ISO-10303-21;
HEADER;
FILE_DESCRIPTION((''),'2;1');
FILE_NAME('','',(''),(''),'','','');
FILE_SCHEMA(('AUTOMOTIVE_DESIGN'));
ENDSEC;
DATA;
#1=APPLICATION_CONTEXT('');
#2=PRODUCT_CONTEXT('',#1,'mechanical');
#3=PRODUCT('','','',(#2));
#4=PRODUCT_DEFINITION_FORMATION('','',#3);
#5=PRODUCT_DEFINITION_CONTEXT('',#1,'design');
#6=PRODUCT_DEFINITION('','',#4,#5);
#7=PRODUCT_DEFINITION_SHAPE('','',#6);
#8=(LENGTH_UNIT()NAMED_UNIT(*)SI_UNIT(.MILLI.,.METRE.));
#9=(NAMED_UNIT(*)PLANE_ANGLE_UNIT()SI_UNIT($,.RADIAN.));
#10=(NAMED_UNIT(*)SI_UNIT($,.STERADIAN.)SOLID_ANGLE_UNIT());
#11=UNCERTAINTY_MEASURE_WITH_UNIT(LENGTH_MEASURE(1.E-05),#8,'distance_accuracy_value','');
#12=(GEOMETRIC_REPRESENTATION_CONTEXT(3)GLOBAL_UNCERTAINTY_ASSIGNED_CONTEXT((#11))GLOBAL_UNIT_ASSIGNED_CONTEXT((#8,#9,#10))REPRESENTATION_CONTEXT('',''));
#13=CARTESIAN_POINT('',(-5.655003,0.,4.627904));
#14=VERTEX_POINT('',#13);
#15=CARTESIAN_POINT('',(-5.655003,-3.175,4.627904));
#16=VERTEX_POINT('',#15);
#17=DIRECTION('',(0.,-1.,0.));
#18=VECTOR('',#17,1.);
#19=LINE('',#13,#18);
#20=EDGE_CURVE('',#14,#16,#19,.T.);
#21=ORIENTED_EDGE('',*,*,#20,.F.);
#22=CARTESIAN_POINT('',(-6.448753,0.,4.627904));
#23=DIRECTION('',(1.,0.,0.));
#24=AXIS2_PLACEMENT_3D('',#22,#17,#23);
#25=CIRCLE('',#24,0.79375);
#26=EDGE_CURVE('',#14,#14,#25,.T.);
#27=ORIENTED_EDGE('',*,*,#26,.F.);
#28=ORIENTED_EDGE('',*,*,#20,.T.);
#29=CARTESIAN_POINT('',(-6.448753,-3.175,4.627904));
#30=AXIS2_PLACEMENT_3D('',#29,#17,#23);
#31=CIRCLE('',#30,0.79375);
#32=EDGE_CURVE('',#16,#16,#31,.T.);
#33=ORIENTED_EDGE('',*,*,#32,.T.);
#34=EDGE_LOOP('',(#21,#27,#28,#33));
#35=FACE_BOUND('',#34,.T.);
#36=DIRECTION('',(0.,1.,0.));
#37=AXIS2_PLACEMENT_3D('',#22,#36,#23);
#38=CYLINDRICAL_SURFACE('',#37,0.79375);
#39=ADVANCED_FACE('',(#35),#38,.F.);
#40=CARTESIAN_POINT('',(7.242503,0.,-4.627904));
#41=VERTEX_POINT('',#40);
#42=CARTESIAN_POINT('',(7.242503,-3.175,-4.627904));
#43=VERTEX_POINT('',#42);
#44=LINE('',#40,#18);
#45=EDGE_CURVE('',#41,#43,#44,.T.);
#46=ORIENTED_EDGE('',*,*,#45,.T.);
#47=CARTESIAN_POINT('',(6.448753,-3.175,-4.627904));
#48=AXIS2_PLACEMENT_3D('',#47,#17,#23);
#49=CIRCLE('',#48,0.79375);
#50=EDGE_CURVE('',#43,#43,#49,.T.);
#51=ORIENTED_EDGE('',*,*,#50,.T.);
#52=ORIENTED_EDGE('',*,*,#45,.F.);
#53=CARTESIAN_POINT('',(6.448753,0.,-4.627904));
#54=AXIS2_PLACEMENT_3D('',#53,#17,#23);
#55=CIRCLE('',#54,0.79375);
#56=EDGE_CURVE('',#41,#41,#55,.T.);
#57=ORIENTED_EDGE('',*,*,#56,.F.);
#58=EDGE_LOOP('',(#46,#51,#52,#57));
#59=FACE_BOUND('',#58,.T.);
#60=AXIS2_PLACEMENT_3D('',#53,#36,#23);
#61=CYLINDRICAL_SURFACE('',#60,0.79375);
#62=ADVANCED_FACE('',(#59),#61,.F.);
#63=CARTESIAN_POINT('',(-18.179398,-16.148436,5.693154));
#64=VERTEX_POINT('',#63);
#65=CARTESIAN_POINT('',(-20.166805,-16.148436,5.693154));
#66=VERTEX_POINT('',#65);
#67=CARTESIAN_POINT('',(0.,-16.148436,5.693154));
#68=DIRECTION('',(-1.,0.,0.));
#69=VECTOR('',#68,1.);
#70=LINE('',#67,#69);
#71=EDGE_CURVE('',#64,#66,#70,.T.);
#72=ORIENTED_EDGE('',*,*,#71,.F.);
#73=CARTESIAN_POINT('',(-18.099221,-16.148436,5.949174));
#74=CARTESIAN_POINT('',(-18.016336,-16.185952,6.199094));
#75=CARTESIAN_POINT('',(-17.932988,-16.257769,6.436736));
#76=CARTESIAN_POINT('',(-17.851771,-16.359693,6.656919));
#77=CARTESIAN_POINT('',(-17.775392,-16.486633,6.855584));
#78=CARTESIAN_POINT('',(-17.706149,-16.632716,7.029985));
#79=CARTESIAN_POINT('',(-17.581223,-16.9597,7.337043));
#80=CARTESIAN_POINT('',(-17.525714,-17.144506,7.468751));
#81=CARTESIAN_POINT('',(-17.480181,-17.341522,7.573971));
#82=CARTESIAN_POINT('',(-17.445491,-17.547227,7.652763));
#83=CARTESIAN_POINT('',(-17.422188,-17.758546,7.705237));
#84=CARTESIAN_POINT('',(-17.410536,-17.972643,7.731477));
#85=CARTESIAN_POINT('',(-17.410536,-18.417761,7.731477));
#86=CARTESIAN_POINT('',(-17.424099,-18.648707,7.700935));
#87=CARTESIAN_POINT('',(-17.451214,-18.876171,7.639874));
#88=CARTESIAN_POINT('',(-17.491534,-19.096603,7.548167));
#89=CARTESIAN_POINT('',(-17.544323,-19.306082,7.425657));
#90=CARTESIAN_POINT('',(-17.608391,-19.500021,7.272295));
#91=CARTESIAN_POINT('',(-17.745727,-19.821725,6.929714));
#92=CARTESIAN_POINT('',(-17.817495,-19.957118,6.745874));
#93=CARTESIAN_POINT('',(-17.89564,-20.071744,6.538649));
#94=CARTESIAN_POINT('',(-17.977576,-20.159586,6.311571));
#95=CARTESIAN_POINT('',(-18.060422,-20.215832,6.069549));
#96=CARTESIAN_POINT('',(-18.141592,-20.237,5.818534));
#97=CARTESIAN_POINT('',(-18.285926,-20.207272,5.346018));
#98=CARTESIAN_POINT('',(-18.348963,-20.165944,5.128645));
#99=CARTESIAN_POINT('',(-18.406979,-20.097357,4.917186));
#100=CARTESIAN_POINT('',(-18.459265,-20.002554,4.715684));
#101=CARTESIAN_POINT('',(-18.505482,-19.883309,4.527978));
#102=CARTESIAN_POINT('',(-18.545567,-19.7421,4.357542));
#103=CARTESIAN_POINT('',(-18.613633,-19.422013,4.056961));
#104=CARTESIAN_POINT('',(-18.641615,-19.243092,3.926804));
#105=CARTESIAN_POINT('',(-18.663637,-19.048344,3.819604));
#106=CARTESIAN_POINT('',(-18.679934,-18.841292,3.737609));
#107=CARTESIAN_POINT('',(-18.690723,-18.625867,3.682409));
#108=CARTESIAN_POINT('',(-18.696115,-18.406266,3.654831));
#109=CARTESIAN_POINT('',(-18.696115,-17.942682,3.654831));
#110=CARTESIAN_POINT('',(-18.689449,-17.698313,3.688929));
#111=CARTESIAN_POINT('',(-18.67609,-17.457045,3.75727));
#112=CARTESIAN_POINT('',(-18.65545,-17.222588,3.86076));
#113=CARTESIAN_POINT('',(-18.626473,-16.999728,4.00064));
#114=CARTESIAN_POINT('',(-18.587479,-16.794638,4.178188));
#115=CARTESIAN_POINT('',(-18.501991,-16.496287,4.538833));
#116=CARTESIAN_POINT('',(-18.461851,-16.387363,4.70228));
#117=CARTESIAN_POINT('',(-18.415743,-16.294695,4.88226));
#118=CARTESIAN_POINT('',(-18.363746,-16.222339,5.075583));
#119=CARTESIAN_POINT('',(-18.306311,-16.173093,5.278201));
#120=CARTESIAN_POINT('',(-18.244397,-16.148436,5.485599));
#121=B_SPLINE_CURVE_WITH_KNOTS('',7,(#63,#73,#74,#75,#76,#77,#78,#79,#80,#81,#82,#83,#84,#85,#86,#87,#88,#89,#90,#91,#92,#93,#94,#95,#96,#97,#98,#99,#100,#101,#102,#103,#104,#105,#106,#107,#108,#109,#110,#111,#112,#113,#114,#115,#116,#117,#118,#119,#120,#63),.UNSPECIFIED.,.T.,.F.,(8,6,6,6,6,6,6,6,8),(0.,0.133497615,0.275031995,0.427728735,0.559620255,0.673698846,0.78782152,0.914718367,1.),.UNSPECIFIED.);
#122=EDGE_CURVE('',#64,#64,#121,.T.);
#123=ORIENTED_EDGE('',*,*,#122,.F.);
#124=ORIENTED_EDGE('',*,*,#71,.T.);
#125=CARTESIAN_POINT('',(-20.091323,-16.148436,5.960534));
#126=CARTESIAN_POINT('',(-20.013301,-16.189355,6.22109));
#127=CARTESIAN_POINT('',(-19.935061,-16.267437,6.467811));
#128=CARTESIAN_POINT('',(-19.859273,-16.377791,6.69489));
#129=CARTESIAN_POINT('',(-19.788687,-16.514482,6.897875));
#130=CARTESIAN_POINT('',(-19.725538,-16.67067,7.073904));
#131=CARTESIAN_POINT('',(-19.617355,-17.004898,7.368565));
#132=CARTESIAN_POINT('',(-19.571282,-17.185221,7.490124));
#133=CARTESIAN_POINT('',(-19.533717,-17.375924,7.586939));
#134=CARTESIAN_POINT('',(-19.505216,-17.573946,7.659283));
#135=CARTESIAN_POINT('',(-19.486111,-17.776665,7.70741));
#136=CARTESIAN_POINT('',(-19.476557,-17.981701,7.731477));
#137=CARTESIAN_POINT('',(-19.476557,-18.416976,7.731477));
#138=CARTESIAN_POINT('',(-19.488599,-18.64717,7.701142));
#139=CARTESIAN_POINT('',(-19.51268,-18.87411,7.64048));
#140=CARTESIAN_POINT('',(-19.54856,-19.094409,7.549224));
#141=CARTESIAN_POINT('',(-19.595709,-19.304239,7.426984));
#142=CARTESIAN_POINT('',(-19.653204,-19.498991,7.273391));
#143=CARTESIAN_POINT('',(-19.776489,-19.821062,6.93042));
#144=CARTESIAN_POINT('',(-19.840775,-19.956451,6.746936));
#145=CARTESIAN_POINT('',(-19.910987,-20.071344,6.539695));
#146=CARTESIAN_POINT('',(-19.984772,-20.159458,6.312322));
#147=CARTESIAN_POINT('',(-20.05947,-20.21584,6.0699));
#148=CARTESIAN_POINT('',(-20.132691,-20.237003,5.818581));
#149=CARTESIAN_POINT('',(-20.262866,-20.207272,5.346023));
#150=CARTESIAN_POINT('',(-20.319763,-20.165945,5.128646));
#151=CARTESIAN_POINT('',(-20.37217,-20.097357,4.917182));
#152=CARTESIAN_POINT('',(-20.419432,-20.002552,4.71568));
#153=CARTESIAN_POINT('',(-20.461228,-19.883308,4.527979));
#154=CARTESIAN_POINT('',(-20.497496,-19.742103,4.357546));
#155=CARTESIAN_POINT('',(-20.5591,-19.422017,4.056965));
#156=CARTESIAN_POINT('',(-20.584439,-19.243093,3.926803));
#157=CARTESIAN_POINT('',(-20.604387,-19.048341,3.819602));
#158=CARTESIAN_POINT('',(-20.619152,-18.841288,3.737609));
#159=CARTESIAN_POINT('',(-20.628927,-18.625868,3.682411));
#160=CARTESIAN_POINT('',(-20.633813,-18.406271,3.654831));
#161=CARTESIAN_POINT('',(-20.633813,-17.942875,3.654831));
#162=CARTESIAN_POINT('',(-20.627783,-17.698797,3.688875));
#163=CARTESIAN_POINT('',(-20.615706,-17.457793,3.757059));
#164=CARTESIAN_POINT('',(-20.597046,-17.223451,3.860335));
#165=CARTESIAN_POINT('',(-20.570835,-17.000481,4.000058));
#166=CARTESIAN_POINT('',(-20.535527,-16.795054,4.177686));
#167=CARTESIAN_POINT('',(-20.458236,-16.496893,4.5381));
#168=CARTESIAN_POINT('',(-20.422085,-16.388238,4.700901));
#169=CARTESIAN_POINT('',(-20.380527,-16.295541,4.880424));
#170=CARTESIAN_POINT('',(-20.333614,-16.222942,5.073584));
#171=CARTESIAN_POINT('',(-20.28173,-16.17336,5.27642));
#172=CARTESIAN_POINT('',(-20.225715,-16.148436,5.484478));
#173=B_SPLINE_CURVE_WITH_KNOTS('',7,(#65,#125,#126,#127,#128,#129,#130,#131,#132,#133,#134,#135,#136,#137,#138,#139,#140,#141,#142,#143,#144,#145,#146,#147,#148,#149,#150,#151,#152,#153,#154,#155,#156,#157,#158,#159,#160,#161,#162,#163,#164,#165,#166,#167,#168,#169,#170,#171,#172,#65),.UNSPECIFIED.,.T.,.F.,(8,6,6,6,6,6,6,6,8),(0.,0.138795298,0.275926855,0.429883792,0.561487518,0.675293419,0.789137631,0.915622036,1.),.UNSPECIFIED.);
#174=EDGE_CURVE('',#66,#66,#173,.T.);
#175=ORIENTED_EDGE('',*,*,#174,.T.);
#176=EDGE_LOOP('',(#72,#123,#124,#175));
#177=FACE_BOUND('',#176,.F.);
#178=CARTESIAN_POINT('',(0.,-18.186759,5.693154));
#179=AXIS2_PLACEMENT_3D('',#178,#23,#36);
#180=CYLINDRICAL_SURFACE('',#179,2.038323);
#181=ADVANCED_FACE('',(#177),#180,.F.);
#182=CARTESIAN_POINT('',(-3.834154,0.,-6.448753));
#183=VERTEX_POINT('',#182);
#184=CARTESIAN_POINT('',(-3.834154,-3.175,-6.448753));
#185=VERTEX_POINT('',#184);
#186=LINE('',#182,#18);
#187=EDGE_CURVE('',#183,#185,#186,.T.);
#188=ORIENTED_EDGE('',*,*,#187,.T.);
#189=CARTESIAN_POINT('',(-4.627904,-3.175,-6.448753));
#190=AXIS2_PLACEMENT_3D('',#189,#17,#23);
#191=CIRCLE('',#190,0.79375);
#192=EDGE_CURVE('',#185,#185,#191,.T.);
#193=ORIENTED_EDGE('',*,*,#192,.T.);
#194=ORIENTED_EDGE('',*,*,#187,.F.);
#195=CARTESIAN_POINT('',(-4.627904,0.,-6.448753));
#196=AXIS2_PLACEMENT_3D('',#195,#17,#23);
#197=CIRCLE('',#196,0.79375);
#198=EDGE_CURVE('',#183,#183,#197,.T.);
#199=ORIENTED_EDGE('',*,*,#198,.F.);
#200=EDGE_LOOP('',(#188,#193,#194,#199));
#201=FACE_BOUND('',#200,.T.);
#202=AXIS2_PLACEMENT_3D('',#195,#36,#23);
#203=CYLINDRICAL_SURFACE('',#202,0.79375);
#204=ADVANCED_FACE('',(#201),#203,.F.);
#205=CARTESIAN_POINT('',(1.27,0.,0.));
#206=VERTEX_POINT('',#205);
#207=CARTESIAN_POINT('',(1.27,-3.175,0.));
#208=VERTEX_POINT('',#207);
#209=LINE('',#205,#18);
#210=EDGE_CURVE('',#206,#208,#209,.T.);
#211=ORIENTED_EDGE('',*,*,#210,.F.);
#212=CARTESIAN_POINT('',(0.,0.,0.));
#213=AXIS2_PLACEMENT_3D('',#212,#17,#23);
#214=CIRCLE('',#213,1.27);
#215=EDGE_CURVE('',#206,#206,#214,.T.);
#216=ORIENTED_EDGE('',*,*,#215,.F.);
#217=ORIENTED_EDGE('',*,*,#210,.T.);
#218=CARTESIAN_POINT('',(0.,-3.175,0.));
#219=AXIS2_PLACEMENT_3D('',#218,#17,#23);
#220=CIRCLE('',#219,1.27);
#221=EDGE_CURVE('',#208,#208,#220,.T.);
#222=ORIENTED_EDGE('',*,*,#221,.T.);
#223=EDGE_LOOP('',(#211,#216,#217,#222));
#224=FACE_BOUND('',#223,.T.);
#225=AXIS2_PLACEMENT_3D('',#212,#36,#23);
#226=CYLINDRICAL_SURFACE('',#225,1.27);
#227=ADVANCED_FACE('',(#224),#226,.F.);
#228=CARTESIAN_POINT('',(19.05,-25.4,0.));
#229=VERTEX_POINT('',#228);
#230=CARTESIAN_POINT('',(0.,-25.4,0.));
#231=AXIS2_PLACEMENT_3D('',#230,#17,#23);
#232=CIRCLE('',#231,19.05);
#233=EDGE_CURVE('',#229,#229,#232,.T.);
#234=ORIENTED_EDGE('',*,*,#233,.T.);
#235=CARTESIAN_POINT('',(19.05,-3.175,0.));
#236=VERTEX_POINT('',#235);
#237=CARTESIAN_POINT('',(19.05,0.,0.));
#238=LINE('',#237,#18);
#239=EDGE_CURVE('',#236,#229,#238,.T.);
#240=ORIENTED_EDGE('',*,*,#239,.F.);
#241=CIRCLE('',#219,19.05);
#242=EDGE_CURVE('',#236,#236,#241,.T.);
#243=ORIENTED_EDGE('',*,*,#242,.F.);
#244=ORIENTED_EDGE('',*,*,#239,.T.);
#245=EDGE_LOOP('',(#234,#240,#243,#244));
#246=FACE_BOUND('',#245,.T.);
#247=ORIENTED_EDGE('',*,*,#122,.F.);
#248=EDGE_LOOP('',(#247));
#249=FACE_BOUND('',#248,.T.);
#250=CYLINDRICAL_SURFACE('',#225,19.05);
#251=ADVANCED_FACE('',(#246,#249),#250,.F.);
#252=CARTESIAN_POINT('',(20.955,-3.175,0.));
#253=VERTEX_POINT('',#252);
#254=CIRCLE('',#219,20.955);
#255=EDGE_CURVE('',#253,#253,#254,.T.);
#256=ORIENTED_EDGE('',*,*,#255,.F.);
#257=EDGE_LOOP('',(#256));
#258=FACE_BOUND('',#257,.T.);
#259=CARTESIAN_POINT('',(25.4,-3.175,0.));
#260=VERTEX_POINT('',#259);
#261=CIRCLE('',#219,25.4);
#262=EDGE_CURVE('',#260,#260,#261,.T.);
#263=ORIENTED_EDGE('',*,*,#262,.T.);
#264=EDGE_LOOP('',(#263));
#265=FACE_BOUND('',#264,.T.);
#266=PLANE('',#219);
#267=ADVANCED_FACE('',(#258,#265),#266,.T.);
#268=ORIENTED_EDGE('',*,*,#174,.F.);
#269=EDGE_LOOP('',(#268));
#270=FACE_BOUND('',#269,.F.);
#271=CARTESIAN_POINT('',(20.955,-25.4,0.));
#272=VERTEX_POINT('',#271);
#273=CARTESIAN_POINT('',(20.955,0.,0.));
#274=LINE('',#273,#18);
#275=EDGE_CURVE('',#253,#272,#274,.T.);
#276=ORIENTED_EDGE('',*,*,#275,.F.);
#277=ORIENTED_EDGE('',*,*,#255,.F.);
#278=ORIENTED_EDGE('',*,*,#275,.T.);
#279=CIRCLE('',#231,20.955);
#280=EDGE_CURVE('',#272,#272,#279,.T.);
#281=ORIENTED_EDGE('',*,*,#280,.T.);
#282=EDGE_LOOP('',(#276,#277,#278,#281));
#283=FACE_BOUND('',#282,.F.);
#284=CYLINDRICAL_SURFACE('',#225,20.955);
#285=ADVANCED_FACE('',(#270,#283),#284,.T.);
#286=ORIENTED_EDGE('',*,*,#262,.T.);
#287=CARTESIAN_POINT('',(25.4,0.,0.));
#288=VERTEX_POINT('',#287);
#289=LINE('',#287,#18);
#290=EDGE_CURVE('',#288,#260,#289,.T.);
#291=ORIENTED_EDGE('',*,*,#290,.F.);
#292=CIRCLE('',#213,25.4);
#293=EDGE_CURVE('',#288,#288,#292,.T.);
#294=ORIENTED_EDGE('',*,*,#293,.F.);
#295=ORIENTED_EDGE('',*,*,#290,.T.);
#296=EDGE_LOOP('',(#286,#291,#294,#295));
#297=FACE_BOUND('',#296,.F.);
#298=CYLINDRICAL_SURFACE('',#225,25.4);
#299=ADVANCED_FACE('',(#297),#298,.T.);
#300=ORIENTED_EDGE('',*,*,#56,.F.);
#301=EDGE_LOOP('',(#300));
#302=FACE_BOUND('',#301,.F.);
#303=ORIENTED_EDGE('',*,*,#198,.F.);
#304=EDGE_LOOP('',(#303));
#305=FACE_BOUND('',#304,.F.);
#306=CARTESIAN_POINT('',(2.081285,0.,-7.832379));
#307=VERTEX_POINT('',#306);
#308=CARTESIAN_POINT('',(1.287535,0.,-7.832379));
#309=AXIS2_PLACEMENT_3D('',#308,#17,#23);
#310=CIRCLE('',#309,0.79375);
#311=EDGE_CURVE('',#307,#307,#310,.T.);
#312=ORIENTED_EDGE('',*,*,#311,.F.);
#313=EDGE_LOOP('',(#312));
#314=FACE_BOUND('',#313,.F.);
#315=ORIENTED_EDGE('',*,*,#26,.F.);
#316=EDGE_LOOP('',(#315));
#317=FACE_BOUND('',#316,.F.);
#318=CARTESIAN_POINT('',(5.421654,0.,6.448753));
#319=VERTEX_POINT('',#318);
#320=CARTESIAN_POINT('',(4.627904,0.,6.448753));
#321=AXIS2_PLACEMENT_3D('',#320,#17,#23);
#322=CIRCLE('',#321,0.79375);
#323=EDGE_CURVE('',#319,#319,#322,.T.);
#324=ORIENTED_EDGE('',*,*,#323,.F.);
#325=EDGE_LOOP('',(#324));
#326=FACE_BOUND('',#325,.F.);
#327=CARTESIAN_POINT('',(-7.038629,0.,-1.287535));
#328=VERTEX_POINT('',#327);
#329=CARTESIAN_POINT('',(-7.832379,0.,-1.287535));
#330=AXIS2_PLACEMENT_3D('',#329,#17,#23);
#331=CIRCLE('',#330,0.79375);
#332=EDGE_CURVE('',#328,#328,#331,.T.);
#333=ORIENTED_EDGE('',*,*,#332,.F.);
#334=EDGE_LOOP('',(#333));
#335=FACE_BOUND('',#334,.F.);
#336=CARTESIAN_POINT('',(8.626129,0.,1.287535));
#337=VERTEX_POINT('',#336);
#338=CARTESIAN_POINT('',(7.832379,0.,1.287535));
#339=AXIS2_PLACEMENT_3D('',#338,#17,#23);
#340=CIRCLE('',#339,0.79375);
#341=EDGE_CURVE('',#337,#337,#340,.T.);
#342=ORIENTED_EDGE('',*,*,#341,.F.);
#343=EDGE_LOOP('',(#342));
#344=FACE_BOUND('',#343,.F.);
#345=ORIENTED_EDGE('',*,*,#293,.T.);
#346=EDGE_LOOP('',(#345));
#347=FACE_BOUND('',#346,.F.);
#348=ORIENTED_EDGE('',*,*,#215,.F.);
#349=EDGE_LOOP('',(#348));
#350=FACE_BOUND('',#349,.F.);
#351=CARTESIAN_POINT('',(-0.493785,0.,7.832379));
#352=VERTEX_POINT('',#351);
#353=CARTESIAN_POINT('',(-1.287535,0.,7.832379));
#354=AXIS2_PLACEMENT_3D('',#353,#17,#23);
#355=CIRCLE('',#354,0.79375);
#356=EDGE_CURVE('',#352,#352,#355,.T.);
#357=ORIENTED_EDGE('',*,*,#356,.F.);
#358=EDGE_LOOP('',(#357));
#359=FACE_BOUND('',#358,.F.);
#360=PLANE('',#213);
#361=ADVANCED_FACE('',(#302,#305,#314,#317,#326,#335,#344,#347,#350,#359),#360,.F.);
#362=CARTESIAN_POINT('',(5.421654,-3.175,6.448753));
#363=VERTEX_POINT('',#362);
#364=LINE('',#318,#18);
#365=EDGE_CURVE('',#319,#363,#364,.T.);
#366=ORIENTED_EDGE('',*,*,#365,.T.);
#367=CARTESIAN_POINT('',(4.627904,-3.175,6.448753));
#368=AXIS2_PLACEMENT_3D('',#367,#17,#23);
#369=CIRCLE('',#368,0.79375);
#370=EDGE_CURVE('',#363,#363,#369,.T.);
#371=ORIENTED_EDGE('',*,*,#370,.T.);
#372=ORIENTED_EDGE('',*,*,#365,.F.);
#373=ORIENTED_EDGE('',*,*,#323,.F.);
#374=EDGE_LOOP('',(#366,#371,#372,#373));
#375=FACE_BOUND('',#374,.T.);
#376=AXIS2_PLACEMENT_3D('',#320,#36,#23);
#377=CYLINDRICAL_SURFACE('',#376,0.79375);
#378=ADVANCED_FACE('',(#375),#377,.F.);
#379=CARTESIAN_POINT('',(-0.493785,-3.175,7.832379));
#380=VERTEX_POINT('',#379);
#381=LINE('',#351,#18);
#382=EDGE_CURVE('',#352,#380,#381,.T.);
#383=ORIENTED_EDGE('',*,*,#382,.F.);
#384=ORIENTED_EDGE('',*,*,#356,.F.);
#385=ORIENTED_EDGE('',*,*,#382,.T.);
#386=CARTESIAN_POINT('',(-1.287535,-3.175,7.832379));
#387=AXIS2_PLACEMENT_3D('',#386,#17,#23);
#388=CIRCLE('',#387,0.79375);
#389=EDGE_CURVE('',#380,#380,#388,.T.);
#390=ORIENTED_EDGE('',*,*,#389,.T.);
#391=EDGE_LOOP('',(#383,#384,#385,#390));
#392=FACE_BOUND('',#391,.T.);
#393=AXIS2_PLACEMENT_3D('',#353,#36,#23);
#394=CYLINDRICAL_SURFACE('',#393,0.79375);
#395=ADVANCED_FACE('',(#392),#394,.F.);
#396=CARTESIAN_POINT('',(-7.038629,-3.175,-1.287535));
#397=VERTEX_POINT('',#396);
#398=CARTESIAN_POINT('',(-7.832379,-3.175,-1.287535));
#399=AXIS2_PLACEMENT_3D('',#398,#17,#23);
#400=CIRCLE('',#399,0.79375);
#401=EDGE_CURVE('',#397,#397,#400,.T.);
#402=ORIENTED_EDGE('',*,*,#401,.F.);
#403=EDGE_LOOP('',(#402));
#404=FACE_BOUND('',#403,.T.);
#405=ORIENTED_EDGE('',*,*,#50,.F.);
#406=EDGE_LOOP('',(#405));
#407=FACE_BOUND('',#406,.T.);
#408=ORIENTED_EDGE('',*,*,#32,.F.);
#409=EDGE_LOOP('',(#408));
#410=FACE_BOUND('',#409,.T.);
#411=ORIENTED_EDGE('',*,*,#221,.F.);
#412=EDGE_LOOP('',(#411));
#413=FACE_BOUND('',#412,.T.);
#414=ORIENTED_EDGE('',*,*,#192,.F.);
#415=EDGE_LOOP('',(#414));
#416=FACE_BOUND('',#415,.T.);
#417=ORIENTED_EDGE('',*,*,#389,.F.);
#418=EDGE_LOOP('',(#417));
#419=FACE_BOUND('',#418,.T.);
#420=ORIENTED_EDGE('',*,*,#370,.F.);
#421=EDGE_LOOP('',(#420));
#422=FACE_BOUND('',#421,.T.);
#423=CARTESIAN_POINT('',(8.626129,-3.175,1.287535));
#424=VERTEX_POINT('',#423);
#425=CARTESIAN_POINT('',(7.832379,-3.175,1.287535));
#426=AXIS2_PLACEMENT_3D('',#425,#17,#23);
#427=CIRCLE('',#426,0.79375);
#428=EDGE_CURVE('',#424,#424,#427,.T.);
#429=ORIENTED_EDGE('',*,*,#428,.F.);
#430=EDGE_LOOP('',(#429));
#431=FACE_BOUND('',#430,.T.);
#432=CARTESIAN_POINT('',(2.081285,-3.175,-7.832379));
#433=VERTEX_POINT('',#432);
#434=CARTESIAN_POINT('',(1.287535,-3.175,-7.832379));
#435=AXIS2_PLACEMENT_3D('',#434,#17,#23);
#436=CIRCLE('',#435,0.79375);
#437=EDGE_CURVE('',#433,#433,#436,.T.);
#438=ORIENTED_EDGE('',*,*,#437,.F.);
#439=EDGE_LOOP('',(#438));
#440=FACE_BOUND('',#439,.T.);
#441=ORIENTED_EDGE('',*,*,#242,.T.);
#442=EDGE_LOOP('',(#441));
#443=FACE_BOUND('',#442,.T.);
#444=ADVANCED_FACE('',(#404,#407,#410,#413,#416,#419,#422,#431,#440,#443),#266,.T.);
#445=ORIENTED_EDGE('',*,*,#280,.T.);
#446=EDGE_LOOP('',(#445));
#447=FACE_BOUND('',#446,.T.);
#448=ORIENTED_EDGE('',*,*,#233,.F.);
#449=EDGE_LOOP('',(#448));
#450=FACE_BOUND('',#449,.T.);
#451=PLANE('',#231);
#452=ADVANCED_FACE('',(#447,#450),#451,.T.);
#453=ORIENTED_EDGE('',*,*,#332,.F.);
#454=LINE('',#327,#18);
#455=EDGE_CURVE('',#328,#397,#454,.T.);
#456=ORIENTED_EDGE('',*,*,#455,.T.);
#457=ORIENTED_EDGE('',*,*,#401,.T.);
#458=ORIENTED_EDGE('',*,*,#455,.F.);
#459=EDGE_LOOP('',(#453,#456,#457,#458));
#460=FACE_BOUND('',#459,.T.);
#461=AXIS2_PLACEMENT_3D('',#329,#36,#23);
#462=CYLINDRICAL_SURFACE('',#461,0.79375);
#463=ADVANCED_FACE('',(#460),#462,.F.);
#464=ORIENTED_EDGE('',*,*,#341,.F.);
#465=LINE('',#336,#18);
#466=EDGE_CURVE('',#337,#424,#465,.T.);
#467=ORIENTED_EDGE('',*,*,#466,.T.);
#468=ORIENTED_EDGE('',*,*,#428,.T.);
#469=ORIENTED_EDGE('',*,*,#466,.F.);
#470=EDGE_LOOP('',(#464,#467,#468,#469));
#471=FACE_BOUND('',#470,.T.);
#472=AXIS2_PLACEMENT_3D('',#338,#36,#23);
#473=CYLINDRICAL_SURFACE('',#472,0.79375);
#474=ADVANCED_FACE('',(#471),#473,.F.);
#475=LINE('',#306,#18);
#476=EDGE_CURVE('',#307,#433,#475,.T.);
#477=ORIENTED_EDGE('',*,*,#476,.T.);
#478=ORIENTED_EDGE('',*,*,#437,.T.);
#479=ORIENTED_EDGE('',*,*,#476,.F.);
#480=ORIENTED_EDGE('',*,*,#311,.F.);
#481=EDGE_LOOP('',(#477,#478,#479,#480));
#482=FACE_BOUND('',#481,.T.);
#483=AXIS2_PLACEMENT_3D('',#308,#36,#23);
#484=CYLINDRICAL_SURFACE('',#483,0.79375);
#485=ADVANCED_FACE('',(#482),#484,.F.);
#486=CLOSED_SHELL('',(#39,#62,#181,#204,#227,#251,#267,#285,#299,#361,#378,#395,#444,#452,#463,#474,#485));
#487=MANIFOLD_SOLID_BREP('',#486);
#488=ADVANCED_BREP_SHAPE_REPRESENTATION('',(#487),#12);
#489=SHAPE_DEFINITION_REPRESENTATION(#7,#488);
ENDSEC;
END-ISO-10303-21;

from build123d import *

# Parameters (mm, degrees)
F0_R     = 25.4
F0_R_2   = 20.955
F0_R_3   = 19.05
F0_R_4   = 0.79375
F0_R_5   = 1.27
F1_DEPTH = 3.175
F2_DEPTH = 25.4
F3_R     = 2.038323
F4_DEPTH = 25.4


with BuildPart() as f1:
    # F0 (on Front) → F1 (new body)
    with BuildSketch(Plane.XZ):
        Circle(F0_R)
        Circle(F0_R_2, mode=Mode.SUBTRACT)
        Circle(F0_R_3)
        with Locations((-4.627904, -6.448753)):
            Circle(F0_R_4, mode=Mode.SUBTRACT)
        with Locations((-7.832379, -1.287535)):
            Circle(F0_R_4, mode=Mode.SUBTRACT)
        Circle(F0_R_5, mode=Mode.SUBTRACT)
        with Locations((1.287535, -7.832379)):
            Circle(F0_R_4, mode=Mode.SUBTRACT)
        with Locations((6.448753, -4.627904)):
            Circle(F0_R_4, mode=Mode.SUBTRACT)
        with Locations((-6.448753, 4.627904)):
            Circle(F0_R_4, mode=Mode.SUBTRACT)
        with Locations((-1.287535, 7.832379)):
            Circle(F0_R_4, mode=Mode.SUBTRACT)
        with Locations((7.832379, 1.287535)):
            Circle(F0_R_4, mode=Mode.SUBTRACT)
        with Locations((4.627904, 6.448753)):
            Circle(F0_R_4, mode=Mode.SUBTRACT)
    extrude(amount=F1_DEPTH)

    # F0 (on Front) → F2 (join)
    with BuildSketch(Plane.XZ):
        Circle(F0_R_2)
        Circle(F0_R_3, mode=Mode.SUBTRACT)
    extrude(amount=F2_DEPTH)

    # F3 (on Right) → F4 (cut)
    with BuildSketch(Plane.YZ):
        with Locations((-18.186759, 5.693154)):
            Circle(F3_R)
    extrude(amount=-F4_DEPTH, mode=Mode.SUBTRACT)


solid = f1.part
